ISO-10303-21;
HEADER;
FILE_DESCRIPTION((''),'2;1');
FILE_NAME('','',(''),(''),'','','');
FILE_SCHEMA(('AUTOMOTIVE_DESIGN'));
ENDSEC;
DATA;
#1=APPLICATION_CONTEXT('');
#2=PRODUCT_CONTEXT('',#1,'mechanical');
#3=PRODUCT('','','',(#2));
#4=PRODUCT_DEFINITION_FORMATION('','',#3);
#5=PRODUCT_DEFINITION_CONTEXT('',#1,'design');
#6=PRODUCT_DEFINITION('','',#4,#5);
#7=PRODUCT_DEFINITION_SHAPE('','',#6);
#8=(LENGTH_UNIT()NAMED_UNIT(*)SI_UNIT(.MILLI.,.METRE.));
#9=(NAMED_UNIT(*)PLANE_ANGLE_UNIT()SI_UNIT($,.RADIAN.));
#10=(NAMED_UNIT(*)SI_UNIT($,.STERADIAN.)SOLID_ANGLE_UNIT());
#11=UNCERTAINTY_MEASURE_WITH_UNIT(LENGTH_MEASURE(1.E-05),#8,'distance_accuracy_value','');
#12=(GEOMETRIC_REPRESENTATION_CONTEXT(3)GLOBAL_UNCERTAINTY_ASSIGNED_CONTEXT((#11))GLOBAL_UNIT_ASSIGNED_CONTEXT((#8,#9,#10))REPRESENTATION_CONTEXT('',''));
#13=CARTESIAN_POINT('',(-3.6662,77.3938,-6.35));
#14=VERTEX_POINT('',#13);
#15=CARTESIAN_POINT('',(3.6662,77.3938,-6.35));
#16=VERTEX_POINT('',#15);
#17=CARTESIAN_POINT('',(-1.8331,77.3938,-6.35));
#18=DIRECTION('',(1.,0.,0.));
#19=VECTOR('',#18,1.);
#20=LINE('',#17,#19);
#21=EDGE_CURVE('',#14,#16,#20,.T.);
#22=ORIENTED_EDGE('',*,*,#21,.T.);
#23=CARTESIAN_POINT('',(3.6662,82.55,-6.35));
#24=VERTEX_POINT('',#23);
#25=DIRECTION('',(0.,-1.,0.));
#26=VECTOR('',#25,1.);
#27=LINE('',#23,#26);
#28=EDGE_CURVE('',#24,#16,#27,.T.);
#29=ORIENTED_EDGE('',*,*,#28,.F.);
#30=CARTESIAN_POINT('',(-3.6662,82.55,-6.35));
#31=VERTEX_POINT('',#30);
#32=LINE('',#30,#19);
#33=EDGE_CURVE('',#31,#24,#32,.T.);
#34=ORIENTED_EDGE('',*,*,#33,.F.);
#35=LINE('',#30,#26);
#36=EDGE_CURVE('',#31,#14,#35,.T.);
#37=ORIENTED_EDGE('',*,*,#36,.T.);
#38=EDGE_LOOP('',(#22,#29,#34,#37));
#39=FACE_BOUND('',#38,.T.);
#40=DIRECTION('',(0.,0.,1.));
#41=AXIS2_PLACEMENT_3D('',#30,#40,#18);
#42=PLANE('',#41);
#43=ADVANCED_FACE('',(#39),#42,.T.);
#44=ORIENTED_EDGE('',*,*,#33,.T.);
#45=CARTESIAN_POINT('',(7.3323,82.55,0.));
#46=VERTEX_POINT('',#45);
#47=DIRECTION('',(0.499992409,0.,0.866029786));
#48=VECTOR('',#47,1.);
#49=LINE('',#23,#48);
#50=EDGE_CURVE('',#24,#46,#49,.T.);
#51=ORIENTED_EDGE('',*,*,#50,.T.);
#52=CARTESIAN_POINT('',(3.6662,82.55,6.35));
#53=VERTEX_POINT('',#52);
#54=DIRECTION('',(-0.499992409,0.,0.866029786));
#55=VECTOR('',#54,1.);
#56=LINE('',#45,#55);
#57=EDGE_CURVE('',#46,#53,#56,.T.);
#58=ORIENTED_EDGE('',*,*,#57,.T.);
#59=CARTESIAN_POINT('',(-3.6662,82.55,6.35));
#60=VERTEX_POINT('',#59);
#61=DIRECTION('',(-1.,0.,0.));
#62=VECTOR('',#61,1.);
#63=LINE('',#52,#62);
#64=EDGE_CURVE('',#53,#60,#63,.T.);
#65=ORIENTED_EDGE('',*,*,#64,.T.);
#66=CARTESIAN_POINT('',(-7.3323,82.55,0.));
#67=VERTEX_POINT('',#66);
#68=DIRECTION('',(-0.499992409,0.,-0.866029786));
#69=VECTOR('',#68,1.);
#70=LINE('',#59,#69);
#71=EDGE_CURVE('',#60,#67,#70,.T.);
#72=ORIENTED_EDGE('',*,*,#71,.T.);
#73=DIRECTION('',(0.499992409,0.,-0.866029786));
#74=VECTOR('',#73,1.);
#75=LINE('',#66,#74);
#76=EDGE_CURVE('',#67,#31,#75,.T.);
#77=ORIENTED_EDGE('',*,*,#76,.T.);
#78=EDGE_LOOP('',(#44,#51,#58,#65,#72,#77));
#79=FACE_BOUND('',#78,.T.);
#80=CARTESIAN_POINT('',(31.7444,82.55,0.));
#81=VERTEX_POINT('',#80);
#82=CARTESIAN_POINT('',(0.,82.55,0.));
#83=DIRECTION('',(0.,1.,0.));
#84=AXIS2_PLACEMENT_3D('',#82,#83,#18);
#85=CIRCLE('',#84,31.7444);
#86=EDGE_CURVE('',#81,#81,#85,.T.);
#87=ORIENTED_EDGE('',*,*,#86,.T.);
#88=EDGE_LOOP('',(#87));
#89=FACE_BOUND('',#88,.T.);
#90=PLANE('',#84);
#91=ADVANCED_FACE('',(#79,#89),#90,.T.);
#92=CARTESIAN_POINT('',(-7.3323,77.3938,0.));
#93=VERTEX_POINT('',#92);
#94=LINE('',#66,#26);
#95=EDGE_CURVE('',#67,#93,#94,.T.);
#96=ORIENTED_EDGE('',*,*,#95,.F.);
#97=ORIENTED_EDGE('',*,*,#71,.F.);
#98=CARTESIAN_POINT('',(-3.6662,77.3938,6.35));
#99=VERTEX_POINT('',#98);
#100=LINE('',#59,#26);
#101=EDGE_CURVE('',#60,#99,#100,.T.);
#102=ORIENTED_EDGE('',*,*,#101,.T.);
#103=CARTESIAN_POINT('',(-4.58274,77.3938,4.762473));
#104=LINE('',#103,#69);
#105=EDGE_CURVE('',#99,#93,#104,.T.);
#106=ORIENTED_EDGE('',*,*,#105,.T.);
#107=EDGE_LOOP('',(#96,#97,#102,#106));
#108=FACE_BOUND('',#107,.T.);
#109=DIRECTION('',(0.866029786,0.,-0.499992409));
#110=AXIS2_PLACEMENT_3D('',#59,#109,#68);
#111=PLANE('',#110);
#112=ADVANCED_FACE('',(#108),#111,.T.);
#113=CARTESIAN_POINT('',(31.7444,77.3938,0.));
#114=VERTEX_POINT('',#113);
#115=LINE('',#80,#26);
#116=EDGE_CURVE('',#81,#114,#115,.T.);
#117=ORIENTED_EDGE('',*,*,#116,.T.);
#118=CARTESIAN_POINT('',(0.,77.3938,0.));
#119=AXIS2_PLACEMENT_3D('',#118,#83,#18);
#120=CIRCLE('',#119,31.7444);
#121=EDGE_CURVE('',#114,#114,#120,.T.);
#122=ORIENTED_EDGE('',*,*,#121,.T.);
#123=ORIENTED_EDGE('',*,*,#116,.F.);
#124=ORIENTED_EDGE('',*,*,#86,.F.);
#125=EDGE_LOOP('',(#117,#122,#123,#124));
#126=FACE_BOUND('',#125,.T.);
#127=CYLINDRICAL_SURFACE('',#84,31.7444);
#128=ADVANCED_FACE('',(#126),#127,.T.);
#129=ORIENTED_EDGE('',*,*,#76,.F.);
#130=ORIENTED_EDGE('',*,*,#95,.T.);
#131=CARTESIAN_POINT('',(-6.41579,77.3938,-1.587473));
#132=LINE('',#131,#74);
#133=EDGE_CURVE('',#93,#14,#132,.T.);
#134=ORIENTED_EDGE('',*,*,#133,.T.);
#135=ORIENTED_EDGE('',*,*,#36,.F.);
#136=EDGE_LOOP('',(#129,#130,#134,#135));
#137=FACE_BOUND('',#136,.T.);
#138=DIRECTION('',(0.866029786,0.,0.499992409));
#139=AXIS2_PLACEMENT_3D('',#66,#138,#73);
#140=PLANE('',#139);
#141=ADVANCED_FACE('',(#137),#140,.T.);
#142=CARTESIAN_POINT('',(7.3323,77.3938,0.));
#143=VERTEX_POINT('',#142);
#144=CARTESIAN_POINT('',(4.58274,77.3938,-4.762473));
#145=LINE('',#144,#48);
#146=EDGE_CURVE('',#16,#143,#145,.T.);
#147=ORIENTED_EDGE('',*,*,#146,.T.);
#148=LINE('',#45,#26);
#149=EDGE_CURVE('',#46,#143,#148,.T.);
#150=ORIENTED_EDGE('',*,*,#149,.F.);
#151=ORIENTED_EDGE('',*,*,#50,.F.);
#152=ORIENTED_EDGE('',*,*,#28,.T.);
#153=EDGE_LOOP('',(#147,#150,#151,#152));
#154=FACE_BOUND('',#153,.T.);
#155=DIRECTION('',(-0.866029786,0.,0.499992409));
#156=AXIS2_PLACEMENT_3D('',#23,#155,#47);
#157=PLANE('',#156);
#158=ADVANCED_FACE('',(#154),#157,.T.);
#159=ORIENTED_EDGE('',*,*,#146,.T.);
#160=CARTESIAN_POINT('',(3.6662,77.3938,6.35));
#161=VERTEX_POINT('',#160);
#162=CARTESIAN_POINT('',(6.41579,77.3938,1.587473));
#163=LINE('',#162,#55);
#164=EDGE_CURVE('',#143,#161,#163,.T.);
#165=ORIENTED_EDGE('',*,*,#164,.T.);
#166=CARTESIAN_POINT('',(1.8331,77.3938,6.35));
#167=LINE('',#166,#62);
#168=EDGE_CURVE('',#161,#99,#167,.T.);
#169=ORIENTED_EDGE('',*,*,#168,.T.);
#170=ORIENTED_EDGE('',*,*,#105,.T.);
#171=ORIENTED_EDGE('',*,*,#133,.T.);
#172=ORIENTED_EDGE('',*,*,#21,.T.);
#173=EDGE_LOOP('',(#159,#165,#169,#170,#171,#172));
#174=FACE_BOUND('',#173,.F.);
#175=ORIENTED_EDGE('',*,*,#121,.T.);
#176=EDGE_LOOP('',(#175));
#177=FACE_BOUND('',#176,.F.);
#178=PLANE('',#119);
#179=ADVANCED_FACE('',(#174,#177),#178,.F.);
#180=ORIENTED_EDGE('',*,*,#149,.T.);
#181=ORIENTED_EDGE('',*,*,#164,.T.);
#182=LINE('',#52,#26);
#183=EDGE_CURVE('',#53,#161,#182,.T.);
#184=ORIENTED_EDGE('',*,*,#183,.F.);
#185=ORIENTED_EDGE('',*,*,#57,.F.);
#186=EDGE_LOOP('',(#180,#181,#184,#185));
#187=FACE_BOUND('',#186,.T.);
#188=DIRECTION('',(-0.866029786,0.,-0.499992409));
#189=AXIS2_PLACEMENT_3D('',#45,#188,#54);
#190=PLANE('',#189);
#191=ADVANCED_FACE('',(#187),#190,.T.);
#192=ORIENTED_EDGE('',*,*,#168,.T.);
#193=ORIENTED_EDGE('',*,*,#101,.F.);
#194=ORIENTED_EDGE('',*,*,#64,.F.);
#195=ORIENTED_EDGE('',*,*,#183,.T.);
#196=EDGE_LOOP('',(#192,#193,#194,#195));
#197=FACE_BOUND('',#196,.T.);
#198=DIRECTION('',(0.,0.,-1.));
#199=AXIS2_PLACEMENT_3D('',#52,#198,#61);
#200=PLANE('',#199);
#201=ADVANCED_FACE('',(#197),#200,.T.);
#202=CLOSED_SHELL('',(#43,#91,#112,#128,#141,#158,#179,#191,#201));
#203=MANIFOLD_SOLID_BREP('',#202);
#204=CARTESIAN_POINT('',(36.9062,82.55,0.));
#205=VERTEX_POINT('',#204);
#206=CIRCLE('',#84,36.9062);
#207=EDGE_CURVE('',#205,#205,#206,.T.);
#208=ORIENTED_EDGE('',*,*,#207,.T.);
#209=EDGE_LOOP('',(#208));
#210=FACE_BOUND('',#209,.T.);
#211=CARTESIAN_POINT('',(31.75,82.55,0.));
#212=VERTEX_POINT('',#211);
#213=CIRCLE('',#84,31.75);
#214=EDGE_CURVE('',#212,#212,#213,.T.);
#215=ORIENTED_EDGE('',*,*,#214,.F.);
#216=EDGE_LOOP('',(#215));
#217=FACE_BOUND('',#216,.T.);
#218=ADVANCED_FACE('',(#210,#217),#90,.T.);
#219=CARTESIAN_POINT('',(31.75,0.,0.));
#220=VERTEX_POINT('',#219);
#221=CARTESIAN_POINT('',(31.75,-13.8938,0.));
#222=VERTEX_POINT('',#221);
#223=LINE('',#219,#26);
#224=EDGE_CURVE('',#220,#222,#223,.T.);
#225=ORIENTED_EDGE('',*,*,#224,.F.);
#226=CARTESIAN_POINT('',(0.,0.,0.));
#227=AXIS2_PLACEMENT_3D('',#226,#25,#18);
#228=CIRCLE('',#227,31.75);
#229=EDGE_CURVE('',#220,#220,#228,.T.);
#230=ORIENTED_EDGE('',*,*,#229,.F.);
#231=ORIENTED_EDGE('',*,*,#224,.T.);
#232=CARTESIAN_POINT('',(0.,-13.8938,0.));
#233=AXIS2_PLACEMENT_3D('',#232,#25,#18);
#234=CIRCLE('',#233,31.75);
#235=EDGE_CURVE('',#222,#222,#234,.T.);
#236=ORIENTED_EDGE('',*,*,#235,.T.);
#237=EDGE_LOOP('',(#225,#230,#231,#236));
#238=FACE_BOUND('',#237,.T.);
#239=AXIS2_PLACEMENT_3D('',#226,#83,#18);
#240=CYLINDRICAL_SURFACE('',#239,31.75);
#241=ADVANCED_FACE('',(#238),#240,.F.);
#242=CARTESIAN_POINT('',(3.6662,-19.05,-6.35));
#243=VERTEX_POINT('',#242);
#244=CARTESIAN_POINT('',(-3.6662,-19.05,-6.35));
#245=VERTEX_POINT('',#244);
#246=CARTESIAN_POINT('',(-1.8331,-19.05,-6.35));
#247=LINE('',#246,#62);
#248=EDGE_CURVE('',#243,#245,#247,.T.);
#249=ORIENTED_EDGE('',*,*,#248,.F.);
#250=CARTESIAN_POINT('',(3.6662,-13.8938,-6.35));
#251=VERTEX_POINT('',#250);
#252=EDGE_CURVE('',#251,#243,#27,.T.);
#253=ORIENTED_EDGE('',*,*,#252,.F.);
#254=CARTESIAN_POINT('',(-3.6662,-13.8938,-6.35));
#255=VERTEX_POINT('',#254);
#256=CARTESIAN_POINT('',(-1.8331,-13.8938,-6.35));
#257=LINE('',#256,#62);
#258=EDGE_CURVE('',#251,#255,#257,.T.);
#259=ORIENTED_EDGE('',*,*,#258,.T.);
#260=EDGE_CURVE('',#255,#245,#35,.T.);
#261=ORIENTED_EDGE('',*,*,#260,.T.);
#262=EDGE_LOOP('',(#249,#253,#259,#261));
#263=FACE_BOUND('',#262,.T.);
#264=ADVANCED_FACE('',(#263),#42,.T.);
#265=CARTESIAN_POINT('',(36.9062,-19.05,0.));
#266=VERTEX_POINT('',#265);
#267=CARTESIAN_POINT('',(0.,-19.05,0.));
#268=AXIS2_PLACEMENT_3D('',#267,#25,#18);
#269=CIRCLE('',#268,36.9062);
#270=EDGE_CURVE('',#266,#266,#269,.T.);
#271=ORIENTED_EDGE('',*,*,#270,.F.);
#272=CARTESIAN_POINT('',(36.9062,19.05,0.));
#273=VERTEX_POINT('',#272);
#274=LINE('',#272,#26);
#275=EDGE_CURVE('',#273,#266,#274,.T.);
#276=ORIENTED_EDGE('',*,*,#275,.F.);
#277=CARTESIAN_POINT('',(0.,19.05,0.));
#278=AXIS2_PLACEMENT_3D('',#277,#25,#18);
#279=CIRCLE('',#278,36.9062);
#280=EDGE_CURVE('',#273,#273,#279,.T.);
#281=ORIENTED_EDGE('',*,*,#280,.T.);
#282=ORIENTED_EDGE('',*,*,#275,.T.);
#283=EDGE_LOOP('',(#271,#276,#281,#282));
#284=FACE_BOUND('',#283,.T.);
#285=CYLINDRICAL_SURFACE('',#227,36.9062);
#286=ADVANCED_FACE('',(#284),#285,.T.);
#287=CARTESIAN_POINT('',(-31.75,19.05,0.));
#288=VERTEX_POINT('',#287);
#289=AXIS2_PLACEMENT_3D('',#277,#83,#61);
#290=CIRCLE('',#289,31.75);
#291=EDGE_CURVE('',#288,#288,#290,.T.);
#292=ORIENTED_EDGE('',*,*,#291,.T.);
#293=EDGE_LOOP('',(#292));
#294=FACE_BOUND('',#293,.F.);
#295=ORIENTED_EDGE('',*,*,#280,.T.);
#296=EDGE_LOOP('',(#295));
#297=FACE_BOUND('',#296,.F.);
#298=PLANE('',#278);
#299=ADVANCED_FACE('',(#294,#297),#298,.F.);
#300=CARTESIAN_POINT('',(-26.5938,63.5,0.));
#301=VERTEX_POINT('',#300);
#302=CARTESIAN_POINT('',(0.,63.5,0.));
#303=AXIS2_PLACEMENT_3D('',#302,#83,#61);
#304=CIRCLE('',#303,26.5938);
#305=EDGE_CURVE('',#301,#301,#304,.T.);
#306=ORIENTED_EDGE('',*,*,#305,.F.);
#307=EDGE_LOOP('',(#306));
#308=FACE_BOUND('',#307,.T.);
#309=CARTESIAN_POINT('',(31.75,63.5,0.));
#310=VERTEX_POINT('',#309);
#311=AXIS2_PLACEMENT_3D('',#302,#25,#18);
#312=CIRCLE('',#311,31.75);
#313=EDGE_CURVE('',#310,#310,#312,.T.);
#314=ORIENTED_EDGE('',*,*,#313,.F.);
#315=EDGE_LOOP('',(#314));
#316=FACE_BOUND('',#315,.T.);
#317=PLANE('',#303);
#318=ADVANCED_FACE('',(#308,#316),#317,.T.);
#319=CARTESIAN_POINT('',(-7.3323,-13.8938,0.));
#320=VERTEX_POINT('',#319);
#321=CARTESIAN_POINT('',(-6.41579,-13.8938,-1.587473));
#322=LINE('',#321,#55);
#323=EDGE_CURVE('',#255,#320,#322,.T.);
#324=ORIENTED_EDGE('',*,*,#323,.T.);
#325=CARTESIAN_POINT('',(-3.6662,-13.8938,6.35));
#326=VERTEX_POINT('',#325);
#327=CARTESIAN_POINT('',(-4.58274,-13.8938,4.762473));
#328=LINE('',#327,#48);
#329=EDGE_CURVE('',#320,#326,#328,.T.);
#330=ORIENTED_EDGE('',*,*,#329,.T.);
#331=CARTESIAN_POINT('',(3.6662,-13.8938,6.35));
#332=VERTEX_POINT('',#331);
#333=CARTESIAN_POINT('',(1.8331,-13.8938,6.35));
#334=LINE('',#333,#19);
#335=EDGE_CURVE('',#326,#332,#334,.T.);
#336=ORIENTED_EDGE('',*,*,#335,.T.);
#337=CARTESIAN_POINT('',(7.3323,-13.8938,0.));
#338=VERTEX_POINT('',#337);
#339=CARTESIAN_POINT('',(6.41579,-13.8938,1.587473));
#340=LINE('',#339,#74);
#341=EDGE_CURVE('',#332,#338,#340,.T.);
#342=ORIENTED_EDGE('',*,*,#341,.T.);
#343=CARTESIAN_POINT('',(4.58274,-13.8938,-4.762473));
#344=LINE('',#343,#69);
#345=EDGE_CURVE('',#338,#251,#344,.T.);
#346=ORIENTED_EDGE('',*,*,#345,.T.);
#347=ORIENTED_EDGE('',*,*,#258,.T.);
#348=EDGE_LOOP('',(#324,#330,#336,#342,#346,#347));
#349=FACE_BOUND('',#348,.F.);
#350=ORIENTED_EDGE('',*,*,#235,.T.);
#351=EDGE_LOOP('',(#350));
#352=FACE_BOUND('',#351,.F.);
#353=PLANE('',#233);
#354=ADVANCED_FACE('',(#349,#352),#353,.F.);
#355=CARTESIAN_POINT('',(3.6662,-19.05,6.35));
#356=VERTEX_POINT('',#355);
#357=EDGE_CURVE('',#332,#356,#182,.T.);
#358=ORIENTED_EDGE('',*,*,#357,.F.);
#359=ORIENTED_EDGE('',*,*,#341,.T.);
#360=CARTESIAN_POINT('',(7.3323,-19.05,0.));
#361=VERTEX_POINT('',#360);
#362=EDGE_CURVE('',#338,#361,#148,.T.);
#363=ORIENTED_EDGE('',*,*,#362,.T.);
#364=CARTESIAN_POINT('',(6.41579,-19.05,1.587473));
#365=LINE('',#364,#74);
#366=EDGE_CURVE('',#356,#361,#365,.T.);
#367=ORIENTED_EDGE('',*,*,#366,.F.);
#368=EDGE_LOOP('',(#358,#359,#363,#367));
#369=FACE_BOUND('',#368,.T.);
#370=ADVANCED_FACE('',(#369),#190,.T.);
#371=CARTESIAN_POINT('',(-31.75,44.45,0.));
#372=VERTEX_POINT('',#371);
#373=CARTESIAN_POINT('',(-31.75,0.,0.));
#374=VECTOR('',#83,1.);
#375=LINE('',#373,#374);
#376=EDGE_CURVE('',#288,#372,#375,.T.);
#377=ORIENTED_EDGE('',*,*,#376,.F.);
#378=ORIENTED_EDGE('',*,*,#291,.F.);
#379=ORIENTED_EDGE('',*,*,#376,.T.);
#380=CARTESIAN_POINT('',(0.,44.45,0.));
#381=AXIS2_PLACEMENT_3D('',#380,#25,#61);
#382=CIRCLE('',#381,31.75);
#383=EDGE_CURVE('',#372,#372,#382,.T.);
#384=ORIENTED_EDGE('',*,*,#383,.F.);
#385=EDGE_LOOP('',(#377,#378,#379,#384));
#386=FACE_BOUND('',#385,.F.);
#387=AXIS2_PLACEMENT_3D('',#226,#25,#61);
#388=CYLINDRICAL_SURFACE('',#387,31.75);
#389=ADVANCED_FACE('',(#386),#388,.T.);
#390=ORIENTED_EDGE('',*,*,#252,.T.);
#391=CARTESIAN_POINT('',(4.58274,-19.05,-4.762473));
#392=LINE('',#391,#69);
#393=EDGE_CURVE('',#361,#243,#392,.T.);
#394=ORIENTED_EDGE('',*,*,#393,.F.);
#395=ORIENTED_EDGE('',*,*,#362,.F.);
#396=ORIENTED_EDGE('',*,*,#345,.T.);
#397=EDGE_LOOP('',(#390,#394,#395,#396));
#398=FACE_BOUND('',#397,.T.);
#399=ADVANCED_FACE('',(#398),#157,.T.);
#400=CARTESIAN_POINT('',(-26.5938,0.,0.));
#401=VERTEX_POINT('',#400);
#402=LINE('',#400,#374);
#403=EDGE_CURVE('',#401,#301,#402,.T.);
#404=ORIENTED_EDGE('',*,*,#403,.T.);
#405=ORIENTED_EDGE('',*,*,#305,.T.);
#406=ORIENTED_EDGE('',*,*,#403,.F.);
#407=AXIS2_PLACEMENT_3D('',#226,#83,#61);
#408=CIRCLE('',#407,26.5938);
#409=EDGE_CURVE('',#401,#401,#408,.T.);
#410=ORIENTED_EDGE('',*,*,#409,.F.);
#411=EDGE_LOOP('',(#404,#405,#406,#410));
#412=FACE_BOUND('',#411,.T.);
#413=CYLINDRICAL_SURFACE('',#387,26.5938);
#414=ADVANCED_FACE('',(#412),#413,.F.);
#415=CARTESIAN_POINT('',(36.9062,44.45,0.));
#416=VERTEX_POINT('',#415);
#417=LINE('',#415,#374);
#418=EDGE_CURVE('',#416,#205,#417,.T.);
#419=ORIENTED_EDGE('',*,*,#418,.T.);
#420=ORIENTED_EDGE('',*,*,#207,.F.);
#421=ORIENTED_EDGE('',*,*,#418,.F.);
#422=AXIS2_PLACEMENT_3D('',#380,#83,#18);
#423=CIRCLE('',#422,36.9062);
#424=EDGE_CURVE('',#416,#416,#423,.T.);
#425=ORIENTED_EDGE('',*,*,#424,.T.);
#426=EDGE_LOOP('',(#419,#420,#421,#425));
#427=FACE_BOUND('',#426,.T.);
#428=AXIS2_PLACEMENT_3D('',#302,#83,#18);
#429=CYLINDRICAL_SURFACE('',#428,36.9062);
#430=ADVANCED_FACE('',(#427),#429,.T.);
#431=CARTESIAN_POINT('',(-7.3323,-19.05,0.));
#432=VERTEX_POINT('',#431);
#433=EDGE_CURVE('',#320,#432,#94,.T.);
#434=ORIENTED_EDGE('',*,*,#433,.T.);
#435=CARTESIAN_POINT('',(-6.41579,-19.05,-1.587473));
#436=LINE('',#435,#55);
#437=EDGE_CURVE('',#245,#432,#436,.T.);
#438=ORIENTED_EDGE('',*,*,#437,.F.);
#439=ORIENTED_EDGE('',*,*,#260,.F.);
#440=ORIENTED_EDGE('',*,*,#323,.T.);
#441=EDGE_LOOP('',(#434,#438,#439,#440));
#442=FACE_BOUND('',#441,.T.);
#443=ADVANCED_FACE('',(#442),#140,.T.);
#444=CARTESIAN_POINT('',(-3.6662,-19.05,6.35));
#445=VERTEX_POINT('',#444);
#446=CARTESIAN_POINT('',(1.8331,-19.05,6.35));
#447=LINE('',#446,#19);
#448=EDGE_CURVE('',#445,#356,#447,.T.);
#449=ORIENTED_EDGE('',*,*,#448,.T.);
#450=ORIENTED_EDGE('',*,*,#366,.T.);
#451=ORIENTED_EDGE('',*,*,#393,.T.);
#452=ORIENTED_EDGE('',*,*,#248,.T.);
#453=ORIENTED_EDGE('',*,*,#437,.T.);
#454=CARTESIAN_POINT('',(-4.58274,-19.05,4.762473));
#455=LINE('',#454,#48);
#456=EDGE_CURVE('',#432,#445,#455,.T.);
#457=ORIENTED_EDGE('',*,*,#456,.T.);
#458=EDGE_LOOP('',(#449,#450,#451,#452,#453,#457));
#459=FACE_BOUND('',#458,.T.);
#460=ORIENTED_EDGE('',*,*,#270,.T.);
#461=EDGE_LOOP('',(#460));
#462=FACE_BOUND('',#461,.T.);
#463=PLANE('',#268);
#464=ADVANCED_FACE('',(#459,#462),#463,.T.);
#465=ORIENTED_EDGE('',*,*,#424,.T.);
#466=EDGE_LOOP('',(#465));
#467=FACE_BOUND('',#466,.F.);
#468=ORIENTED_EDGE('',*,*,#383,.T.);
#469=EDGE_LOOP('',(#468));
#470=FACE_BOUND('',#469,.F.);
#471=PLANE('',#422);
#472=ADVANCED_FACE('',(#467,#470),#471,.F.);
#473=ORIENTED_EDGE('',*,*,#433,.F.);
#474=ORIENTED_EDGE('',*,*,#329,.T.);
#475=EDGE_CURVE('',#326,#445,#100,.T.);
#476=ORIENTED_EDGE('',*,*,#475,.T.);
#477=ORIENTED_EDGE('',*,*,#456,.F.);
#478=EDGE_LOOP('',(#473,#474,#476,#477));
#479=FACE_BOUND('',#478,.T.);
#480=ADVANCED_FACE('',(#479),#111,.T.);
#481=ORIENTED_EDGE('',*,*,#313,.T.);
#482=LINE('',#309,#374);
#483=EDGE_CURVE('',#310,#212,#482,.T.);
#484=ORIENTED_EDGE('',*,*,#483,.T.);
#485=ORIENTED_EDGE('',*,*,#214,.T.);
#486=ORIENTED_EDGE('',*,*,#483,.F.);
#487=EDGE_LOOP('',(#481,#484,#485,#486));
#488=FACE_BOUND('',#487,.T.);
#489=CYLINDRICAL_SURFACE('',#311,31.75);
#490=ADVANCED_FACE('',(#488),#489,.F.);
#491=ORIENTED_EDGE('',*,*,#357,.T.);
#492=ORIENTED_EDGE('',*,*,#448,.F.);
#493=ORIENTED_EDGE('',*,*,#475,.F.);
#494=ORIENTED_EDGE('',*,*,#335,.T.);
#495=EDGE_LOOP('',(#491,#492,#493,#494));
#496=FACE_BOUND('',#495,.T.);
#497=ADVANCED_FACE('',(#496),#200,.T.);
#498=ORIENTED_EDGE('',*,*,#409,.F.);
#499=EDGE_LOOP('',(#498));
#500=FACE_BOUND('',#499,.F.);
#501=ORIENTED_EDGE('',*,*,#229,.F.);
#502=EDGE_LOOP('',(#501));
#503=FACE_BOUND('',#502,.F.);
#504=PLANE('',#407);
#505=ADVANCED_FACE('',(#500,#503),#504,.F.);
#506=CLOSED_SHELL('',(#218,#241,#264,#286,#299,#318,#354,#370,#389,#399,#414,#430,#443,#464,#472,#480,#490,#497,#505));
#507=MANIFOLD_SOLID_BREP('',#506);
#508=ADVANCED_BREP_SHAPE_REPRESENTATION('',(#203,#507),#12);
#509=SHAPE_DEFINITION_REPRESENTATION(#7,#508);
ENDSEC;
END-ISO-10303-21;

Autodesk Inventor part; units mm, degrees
ref_plane "YZ Plane" through (0, 0, 0) normal (1, 0, 0) x (0, 1, 0)
ref_plane "XZ Plane" through (0, 0, 0) normal (0, 1, 0) x (-1, 0, 0)
ref_plane "XY Plane" through (0, 0, 0) normal (0, 0, 1) x (1, 0, 0)
sketch "Sketch6" plane through (0, 0, 0) normal (0, 1, 0) x (-1, 0, 0)
  circle A0 centre (0, 0) radius 31.75
  circle A1 centre (0, 0) radius 26.5938
  dimension "d16" = 63.5
  dimension "d17" = 5.1562
extrude "Extrusion5" add sketch "Sketch6" along normal blind 63.5
sketch "Sketch7" plane through (0, 0, 0) normal (0, -1, 0) x (1, 0, 0)
  circle A0 centre (0, 0) radius 36.9062
  circle A1 centre (0, 0) radius 31.75
  dimension "d20" = 63.5
  dimension "d21" = 5.1562
extrude "Extrusion6" add sketch "Sketch7" along normal mid plane 38.1
sketch "Sketch8" plane through (0, -19.05, 0) normal (0, -1, 0) x (1, 0, 0)
  circle A0 centre (0, 0) radius 31.75
extrude "Extrusion7" add sketch "Sketch8" against normal blind 5.1562
sketch "Sketch9" plane through (0, 63.5, 0) normal (0, 1, 0) x (1, 0, 0)
  circle A0 centre (0, 0) radius 31.75
  circle A1 centre (0, 0) radius 36.9062
extrude "Extrusion8" add sketch "Sketch9" along normal mid plane 38.1
sketch "Sketch10" plane through (0, 82.55, 0) normal (0, 1, 0) x (1, 0, 0)
  circle A0 centre (0, 0) radius 31.7444
  dimension "d28" = 63.4887
extrude "Extrusion9" add sketch "Sketch10" against normal blind 5.1562
sketch "Sketch11" plane through (0, 82.55, 0) normal (0, 1, 0) x (1, 0, 0)
  line L0 (-7.3323, 0) -> (-3.6662, 6.35)
  line L1 (-3.6662, 6.35) -> (3.6662, 6.35)
  line L2 (3.6662, 6.35) -> (7.3323, 0)
  line L3 (7.3323, 0) -> (3.6662, -6.35)
  line L4 (3.6662, -6.35) -> (-3.6662, -6.35)
  line L5 (-3.6662, -6.35) -> (-7.3323, 0)
  point P0 (0, 0)
  point P1 (0, 0)
  dimension "d31" = 12.7
extrude "Extrusion10" cut sketch "Sketch11" against normal blind 228.6
properties part number "Roller Drum 4-Inch" material "PVC-Piping"
